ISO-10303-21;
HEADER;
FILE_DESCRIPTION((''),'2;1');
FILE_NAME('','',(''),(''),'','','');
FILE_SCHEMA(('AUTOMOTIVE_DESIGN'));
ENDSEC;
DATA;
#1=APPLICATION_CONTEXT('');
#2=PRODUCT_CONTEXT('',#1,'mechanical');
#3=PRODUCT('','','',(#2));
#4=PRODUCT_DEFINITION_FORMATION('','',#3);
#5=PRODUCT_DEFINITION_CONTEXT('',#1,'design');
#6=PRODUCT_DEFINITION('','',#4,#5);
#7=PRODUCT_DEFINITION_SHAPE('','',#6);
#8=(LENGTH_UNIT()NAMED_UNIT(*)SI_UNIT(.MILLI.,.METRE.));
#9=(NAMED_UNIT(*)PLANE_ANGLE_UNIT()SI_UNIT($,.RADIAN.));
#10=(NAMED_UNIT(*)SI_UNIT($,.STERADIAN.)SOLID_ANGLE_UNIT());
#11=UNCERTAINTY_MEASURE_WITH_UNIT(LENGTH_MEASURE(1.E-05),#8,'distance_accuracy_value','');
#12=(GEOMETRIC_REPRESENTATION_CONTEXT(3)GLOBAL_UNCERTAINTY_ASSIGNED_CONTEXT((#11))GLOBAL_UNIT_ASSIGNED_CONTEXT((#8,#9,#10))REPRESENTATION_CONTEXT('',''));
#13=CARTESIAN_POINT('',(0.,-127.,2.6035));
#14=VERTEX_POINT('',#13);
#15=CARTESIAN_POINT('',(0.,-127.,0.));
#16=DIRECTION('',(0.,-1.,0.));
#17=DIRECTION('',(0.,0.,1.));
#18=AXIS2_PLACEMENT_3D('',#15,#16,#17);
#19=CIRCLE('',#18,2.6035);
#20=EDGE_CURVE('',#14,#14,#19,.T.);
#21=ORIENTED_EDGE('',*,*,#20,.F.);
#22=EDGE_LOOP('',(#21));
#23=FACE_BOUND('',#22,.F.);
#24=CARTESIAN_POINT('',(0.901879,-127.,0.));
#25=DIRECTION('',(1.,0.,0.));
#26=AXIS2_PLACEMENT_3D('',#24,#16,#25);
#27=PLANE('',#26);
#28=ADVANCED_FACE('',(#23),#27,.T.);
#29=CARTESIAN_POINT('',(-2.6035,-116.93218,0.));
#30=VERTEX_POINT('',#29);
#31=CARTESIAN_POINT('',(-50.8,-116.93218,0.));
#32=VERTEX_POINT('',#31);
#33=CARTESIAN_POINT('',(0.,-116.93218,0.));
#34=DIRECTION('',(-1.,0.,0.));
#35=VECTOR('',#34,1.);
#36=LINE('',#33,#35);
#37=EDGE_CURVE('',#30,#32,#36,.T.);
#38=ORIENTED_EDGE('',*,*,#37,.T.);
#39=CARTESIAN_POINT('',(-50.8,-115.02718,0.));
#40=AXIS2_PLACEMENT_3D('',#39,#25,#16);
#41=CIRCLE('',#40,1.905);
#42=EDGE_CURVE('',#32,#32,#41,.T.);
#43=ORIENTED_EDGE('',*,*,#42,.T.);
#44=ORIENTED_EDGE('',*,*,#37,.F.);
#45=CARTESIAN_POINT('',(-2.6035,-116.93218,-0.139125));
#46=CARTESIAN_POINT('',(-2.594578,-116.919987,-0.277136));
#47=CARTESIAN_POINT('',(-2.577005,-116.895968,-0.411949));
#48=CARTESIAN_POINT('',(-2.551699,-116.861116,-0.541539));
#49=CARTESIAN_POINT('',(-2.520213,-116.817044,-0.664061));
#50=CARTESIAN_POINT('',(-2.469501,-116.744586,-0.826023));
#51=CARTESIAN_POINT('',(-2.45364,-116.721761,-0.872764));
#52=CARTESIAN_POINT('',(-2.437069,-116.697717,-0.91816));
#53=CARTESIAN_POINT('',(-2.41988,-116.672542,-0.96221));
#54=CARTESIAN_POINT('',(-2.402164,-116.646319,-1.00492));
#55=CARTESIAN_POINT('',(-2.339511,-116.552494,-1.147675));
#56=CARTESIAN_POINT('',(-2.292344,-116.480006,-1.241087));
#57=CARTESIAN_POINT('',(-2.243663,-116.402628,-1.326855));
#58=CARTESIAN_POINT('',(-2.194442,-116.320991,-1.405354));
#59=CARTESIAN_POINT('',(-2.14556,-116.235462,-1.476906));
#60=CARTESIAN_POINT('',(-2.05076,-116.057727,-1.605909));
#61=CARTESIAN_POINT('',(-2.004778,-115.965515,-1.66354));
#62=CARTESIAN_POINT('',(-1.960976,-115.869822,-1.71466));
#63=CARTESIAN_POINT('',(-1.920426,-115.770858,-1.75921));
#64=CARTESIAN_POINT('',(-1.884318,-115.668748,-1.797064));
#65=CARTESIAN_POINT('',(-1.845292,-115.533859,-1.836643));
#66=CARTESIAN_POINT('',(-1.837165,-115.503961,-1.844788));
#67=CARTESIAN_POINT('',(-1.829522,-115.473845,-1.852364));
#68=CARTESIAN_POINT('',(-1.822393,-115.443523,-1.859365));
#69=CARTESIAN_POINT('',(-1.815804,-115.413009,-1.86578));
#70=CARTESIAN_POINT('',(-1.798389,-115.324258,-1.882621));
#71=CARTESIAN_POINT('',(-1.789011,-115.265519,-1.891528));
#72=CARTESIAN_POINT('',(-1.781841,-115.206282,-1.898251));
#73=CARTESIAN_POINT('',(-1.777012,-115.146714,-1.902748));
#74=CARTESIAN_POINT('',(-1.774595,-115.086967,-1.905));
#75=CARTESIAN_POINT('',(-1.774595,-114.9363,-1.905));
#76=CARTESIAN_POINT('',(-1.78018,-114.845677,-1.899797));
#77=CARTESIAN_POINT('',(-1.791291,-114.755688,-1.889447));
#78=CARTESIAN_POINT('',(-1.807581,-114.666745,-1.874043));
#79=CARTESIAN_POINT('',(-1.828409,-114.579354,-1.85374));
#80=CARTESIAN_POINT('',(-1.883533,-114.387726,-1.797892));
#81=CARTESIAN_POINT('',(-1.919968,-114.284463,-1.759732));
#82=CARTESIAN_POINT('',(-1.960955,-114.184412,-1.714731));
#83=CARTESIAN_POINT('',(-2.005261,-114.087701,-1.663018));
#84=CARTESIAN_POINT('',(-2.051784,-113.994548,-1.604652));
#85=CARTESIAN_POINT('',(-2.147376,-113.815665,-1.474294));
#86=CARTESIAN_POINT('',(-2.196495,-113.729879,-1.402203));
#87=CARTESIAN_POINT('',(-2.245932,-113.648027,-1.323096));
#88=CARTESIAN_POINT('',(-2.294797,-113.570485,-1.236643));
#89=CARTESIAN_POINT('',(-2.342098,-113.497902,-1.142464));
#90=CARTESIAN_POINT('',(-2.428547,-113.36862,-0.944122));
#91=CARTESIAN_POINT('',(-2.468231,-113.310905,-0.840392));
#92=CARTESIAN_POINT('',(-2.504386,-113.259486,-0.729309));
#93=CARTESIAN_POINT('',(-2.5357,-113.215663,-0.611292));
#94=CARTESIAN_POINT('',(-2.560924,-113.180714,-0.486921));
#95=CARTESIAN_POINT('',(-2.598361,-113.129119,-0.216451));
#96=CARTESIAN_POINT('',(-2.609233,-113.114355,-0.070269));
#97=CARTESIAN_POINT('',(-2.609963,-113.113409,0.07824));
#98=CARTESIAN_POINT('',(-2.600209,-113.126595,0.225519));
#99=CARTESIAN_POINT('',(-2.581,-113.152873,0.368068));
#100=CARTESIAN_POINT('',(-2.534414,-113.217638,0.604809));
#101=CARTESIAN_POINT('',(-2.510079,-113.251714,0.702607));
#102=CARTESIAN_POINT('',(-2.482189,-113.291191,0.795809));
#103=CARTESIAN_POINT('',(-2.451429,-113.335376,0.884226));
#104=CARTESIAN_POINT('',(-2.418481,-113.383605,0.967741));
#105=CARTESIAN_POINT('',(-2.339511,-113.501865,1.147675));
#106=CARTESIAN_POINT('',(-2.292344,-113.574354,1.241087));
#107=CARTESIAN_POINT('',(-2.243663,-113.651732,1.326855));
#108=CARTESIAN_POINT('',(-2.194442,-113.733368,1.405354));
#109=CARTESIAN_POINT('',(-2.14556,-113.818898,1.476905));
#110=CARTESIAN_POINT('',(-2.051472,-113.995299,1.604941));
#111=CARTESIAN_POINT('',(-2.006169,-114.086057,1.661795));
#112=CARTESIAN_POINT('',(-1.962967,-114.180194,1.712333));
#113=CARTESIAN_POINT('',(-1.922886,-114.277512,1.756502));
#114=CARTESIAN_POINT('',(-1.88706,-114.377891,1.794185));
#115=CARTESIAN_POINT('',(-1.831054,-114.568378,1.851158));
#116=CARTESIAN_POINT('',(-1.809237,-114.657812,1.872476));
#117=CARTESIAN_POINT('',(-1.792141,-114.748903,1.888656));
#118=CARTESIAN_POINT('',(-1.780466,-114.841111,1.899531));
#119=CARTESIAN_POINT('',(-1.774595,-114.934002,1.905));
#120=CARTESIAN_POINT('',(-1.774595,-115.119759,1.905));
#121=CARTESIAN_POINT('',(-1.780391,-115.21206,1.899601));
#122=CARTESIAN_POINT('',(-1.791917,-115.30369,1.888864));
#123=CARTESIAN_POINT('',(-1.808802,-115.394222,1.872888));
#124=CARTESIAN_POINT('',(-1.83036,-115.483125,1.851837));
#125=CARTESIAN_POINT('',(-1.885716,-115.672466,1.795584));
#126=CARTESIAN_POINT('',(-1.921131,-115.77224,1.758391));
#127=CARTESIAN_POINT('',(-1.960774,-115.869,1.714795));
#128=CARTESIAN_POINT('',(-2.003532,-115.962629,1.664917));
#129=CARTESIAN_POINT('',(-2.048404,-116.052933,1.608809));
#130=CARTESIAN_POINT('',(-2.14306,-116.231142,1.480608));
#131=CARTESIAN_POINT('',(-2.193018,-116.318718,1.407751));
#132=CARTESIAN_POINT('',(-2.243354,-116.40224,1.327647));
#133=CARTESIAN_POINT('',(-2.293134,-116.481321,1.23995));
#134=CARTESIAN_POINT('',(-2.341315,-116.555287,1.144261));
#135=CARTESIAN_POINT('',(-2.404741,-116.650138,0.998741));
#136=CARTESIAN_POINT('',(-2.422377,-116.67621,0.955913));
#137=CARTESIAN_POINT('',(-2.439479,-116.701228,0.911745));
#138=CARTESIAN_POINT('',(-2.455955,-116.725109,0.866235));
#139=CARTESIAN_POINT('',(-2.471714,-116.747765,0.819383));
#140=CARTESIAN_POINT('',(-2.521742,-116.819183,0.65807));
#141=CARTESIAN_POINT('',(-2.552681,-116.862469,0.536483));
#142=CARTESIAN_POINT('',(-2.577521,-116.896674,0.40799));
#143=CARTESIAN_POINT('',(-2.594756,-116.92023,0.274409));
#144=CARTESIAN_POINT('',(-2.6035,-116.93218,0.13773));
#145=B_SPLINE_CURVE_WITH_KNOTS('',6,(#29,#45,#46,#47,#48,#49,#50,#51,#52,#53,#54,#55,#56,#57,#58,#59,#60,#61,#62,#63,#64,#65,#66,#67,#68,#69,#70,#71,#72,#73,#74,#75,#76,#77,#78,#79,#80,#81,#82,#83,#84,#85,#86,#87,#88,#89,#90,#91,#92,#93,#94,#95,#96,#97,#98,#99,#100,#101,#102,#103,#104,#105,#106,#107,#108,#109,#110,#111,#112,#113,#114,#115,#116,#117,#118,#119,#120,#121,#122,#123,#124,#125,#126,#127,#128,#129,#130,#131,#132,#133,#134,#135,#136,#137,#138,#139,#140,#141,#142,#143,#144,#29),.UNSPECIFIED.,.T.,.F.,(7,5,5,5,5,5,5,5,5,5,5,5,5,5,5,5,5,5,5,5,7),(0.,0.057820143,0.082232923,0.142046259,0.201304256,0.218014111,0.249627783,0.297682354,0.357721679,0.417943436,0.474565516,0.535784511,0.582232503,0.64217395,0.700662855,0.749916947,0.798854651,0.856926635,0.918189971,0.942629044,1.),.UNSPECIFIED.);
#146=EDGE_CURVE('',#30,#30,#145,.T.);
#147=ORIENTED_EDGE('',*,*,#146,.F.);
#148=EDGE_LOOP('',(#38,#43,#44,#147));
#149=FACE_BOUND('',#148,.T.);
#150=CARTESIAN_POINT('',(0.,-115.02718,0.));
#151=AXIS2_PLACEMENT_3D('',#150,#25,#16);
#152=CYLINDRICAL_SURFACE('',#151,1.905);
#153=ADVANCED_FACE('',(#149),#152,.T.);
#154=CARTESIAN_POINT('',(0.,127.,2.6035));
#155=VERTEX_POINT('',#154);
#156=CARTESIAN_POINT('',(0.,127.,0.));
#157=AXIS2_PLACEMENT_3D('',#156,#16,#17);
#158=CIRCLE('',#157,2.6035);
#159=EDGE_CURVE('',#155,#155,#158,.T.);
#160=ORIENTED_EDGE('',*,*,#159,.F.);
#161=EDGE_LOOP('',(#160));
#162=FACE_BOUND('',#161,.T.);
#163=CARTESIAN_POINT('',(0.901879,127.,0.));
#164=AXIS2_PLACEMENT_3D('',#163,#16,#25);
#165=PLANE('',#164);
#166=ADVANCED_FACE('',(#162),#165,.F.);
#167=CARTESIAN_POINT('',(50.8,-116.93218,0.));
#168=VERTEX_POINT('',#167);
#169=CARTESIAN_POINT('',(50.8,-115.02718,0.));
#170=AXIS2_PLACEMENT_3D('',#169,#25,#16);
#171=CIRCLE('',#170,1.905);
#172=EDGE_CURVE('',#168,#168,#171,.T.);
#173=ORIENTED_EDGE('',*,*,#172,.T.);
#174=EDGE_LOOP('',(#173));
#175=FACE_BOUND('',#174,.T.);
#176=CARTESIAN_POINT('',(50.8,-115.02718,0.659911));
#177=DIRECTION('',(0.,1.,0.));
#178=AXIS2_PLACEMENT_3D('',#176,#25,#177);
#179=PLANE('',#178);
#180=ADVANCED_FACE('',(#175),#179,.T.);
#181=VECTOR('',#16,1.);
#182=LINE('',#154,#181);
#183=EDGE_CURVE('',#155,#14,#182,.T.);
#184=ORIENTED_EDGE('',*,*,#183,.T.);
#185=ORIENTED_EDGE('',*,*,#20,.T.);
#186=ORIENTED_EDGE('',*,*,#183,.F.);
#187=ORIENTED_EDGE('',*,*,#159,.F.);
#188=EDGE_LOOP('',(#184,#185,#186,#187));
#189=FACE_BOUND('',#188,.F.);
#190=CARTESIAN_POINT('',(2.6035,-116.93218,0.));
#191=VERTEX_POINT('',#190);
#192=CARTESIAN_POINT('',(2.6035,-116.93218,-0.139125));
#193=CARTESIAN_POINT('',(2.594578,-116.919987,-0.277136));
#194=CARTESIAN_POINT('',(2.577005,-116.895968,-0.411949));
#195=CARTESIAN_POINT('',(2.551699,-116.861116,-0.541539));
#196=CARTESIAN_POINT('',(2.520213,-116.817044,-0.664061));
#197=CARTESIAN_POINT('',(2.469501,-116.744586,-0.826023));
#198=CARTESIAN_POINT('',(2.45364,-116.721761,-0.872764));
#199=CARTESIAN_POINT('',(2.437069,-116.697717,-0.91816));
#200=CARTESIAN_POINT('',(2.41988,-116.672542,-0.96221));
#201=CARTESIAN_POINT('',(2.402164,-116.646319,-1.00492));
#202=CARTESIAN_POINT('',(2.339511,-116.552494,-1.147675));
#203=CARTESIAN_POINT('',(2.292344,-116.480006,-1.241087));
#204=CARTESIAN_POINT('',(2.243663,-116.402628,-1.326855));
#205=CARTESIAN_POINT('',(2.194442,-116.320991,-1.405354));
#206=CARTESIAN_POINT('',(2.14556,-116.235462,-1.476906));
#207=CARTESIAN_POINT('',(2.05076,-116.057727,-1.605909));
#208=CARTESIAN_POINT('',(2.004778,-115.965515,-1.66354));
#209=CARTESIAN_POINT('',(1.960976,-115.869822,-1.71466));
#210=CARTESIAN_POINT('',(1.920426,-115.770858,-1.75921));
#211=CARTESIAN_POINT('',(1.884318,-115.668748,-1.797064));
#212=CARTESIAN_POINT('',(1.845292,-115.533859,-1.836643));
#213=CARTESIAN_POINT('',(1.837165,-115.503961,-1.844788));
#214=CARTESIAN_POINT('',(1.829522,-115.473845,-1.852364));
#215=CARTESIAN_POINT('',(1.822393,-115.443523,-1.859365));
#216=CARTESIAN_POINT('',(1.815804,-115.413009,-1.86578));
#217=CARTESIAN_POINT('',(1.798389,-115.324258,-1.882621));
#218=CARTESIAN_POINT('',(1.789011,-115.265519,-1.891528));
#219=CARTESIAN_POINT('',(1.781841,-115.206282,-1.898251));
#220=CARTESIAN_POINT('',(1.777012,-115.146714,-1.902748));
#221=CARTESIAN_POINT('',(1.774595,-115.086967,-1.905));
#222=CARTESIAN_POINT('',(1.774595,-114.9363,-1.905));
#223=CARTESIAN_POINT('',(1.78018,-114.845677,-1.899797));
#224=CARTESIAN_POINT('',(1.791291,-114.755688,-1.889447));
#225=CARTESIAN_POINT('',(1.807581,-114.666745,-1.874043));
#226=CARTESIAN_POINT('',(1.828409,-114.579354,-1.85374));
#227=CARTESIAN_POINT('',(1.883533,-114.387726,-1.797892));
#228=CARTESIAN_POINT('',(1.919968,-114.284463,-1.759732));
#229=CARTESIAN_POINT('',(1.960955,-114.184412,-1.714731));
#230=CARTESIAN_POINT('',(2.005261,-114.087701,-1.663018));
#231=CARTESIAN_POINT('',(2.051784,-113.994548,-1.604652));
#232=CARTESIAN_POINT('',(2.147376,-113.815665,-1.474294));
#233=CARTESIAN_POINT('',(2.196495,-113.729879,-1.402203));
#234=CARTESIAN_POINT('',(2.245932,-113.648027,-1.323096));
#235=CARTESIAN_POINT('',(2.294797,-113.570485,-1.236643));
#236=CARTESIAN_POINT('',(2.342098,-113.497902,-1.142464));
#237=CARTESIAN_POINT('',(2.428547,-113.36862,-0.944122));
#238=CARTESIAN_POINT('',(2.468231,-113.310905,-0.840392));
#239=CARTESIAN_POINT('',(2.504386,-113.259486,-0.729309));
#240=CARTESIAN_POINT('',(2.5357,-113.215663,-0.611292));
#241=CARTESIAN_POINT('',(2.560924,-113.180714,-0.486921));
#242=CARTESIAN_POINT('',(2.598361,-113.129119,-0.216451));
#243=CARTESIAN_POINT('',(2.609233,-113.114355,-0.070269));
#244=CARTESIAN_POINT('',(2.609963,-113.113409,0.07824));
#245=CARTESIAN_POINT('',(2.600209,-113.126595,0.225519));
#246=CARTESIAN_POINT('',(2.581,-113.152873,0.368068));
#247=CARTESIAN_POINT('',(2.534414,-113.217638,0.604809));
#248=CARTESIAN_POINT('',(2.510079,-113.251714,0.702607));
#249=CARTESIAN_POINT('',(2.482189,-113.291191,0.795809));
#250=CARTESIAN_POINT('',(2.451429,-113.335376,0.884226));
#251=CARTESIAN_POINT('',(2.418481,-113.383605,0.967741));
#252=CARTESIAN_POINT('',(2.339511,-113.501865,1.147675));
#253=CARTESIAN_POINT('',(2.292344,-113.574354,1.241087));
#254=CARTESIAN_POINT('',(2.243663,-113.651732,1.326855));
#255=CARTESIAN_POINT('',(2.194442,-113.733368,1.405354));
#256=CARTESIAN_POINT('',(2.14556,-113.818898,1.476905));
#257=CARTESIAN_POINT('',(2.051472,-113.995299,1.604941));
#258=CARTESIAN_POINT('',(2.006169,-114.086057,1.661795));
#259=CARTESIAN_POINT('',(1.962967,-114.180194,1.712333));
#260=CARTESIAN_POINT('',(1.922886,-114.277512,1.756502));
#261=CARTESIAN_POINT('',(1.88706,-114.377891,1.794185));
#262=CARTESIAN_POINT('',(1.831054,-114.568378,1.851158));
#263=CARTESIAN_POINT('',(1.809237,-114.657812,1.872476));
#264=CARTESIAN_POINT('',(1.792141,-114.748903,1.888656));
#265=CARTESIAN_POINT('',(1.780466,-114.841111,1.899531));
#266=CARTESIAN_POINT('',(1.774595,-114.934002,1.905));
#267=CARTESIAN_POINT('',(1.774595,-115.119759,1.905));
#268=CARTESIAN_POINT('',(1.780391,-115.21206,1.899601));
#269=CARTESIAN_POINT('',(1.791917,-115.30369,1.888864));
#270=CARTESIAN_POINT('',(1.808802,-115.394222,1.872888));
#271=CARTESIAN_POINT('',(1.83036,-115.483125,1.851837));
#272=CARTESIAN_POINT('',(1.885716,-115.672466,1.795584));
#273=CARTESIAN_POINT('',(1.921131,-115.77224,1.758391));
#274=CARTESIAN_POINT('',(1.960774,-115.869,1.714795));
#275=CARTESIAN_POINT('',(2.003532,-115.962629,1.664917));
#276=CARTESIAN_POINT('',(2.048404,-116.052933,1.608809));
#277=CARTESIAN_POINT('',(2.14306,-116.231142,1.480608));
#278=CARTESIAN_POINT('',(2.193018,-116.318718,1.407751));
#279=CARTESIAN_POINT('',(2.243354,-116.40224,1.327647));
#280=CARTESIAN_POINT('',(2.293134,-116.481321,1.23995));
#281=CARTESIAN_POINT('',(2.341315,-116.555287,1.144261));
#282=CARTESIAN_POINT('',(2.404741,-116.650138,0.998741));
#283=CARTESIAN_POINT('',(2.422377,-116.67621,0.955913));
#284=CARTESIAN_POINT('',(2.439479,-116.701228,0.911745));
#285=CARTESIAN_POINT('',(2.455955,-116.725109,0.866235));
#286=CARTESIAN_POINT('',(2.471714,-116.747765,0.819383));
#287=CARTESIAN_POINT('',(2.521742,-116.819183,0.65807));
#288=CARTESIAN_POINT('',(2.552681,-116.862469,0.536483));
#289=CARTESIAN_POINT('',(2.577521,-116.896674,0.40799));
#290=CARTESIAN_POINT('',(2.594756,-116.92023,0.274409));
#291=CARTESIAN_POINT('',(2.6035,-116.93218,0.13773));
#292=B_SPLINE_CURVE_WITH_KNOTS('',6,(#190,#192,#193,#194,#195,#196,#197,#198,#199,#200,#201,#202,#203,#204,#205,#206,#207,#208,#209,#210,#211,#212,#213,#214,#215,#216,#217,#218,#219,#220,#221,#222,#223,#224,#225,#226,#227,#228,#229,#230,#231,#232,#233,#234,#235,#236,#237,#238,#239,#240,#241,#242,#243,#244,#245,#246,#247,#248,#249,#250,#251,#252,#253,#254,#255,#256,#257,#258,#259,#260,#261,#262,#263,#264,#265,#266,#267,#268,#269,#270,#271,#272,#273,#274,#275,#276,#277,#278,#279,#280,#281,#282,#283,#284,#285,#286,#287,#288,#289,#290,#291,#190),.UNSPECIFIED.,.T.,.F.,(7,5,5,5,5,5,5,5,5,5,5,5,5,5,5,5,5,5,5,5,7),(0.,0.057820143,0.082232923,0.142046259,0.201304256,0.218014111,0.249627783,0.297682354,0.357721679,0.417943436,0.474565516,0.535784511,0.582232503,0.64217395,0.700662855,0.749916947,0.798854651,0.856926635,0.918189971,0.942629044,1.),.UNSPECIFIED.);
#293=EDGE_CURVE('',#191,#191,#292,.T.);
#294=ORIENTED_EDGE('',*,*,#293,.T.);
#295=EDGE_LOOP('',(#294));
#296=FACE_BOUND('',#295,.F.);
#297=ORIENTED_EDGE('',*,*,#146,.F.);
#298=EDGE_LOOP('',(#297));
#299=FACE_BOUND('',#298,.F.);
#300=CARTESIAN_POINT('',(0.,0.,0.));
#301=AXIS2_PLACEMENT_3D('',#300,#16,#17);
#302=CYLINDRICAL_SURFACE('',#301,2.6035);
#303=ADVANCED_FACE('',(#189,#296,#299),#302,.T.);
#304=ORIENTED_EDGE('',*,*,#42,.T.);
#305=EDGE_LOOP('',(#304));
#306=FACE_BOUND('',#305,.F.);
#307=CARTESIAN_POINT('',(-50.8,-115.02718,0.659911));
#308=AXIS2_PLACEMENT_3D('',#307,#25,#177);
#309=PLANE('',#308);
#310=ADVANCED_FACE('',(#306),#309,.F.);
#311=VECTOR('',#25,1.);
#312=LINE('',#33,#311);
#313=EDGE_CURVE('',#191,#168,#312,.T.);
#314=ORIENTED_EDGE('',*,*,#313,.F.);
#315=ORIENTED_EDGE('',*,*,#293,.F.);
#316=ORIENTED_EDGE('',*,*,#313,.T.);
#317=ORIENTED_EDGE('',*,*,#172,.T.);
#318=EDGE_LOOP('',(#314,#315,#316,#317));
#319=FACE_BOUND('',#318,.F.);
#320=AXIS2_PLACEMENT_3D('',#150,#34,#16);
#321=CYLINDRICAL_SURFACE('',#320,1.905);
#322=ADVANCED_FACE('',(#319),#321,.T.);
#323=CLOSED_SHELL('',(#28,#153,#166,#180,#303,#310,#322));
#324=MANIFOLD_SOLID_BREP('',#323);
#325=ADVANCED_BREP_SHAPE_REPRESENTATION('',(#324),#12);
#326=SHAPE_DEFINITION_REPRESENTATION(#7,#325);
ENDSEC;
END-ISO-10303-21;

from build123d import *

# Parameters (mm, degrees)
F1_DEPTH      = 127
F1_DEPTH_BACK = 127
F4_DEPTH      = 50.8
F4_DEPTH_BACK = 50.8


with BuildPart() as f1:
    # F0 (on Front) → F1 (new body, two sides)
    with BuildSketch(Plane.XZ) as f1_sk:
        with BuildLine():
            Line((0, -2.6035), (0, 2.6035))
            ThreePointArc((0, 2.6035), (-2.6035, 0), (0, -2.6035))
        make_face()
    extrude(amount=F1_DEPTH)
    extrude(f1_sk.sketch, amount=-F1_DEPTH_BACK)

    # F3: F1 across plane


with BuildPart() as f1_1:
    add(f1.part)
    add(f1.part.mirror(Plane.YZ))

    # F2 (on face) → F4 (join, two sides)
    with BuildSketch(Plane.YZ) as f4_sk:
        with BuildLine():
            Line((-116.9321797776, 0), (-113.1221797776, 0))
            ThreePointArc((-113.1221797776, 0), (-115.0271797776, 1.905), (-116.9321797776, 0))
        make_face()
        with BuildLine():
            ThreePointArc((-116.9321797776, 0), (-115.0271797776, -1.905), (-113.1221797776, 0))
            Line((-113.1221797776, 0), (-116.9321797776, 0))
        make_face()
    extrude(amount=F4_DEPTH)
    extrude(f4_sk.sketch, amount=-F4_DEPTH_BACK)


solid = f1_1.part
